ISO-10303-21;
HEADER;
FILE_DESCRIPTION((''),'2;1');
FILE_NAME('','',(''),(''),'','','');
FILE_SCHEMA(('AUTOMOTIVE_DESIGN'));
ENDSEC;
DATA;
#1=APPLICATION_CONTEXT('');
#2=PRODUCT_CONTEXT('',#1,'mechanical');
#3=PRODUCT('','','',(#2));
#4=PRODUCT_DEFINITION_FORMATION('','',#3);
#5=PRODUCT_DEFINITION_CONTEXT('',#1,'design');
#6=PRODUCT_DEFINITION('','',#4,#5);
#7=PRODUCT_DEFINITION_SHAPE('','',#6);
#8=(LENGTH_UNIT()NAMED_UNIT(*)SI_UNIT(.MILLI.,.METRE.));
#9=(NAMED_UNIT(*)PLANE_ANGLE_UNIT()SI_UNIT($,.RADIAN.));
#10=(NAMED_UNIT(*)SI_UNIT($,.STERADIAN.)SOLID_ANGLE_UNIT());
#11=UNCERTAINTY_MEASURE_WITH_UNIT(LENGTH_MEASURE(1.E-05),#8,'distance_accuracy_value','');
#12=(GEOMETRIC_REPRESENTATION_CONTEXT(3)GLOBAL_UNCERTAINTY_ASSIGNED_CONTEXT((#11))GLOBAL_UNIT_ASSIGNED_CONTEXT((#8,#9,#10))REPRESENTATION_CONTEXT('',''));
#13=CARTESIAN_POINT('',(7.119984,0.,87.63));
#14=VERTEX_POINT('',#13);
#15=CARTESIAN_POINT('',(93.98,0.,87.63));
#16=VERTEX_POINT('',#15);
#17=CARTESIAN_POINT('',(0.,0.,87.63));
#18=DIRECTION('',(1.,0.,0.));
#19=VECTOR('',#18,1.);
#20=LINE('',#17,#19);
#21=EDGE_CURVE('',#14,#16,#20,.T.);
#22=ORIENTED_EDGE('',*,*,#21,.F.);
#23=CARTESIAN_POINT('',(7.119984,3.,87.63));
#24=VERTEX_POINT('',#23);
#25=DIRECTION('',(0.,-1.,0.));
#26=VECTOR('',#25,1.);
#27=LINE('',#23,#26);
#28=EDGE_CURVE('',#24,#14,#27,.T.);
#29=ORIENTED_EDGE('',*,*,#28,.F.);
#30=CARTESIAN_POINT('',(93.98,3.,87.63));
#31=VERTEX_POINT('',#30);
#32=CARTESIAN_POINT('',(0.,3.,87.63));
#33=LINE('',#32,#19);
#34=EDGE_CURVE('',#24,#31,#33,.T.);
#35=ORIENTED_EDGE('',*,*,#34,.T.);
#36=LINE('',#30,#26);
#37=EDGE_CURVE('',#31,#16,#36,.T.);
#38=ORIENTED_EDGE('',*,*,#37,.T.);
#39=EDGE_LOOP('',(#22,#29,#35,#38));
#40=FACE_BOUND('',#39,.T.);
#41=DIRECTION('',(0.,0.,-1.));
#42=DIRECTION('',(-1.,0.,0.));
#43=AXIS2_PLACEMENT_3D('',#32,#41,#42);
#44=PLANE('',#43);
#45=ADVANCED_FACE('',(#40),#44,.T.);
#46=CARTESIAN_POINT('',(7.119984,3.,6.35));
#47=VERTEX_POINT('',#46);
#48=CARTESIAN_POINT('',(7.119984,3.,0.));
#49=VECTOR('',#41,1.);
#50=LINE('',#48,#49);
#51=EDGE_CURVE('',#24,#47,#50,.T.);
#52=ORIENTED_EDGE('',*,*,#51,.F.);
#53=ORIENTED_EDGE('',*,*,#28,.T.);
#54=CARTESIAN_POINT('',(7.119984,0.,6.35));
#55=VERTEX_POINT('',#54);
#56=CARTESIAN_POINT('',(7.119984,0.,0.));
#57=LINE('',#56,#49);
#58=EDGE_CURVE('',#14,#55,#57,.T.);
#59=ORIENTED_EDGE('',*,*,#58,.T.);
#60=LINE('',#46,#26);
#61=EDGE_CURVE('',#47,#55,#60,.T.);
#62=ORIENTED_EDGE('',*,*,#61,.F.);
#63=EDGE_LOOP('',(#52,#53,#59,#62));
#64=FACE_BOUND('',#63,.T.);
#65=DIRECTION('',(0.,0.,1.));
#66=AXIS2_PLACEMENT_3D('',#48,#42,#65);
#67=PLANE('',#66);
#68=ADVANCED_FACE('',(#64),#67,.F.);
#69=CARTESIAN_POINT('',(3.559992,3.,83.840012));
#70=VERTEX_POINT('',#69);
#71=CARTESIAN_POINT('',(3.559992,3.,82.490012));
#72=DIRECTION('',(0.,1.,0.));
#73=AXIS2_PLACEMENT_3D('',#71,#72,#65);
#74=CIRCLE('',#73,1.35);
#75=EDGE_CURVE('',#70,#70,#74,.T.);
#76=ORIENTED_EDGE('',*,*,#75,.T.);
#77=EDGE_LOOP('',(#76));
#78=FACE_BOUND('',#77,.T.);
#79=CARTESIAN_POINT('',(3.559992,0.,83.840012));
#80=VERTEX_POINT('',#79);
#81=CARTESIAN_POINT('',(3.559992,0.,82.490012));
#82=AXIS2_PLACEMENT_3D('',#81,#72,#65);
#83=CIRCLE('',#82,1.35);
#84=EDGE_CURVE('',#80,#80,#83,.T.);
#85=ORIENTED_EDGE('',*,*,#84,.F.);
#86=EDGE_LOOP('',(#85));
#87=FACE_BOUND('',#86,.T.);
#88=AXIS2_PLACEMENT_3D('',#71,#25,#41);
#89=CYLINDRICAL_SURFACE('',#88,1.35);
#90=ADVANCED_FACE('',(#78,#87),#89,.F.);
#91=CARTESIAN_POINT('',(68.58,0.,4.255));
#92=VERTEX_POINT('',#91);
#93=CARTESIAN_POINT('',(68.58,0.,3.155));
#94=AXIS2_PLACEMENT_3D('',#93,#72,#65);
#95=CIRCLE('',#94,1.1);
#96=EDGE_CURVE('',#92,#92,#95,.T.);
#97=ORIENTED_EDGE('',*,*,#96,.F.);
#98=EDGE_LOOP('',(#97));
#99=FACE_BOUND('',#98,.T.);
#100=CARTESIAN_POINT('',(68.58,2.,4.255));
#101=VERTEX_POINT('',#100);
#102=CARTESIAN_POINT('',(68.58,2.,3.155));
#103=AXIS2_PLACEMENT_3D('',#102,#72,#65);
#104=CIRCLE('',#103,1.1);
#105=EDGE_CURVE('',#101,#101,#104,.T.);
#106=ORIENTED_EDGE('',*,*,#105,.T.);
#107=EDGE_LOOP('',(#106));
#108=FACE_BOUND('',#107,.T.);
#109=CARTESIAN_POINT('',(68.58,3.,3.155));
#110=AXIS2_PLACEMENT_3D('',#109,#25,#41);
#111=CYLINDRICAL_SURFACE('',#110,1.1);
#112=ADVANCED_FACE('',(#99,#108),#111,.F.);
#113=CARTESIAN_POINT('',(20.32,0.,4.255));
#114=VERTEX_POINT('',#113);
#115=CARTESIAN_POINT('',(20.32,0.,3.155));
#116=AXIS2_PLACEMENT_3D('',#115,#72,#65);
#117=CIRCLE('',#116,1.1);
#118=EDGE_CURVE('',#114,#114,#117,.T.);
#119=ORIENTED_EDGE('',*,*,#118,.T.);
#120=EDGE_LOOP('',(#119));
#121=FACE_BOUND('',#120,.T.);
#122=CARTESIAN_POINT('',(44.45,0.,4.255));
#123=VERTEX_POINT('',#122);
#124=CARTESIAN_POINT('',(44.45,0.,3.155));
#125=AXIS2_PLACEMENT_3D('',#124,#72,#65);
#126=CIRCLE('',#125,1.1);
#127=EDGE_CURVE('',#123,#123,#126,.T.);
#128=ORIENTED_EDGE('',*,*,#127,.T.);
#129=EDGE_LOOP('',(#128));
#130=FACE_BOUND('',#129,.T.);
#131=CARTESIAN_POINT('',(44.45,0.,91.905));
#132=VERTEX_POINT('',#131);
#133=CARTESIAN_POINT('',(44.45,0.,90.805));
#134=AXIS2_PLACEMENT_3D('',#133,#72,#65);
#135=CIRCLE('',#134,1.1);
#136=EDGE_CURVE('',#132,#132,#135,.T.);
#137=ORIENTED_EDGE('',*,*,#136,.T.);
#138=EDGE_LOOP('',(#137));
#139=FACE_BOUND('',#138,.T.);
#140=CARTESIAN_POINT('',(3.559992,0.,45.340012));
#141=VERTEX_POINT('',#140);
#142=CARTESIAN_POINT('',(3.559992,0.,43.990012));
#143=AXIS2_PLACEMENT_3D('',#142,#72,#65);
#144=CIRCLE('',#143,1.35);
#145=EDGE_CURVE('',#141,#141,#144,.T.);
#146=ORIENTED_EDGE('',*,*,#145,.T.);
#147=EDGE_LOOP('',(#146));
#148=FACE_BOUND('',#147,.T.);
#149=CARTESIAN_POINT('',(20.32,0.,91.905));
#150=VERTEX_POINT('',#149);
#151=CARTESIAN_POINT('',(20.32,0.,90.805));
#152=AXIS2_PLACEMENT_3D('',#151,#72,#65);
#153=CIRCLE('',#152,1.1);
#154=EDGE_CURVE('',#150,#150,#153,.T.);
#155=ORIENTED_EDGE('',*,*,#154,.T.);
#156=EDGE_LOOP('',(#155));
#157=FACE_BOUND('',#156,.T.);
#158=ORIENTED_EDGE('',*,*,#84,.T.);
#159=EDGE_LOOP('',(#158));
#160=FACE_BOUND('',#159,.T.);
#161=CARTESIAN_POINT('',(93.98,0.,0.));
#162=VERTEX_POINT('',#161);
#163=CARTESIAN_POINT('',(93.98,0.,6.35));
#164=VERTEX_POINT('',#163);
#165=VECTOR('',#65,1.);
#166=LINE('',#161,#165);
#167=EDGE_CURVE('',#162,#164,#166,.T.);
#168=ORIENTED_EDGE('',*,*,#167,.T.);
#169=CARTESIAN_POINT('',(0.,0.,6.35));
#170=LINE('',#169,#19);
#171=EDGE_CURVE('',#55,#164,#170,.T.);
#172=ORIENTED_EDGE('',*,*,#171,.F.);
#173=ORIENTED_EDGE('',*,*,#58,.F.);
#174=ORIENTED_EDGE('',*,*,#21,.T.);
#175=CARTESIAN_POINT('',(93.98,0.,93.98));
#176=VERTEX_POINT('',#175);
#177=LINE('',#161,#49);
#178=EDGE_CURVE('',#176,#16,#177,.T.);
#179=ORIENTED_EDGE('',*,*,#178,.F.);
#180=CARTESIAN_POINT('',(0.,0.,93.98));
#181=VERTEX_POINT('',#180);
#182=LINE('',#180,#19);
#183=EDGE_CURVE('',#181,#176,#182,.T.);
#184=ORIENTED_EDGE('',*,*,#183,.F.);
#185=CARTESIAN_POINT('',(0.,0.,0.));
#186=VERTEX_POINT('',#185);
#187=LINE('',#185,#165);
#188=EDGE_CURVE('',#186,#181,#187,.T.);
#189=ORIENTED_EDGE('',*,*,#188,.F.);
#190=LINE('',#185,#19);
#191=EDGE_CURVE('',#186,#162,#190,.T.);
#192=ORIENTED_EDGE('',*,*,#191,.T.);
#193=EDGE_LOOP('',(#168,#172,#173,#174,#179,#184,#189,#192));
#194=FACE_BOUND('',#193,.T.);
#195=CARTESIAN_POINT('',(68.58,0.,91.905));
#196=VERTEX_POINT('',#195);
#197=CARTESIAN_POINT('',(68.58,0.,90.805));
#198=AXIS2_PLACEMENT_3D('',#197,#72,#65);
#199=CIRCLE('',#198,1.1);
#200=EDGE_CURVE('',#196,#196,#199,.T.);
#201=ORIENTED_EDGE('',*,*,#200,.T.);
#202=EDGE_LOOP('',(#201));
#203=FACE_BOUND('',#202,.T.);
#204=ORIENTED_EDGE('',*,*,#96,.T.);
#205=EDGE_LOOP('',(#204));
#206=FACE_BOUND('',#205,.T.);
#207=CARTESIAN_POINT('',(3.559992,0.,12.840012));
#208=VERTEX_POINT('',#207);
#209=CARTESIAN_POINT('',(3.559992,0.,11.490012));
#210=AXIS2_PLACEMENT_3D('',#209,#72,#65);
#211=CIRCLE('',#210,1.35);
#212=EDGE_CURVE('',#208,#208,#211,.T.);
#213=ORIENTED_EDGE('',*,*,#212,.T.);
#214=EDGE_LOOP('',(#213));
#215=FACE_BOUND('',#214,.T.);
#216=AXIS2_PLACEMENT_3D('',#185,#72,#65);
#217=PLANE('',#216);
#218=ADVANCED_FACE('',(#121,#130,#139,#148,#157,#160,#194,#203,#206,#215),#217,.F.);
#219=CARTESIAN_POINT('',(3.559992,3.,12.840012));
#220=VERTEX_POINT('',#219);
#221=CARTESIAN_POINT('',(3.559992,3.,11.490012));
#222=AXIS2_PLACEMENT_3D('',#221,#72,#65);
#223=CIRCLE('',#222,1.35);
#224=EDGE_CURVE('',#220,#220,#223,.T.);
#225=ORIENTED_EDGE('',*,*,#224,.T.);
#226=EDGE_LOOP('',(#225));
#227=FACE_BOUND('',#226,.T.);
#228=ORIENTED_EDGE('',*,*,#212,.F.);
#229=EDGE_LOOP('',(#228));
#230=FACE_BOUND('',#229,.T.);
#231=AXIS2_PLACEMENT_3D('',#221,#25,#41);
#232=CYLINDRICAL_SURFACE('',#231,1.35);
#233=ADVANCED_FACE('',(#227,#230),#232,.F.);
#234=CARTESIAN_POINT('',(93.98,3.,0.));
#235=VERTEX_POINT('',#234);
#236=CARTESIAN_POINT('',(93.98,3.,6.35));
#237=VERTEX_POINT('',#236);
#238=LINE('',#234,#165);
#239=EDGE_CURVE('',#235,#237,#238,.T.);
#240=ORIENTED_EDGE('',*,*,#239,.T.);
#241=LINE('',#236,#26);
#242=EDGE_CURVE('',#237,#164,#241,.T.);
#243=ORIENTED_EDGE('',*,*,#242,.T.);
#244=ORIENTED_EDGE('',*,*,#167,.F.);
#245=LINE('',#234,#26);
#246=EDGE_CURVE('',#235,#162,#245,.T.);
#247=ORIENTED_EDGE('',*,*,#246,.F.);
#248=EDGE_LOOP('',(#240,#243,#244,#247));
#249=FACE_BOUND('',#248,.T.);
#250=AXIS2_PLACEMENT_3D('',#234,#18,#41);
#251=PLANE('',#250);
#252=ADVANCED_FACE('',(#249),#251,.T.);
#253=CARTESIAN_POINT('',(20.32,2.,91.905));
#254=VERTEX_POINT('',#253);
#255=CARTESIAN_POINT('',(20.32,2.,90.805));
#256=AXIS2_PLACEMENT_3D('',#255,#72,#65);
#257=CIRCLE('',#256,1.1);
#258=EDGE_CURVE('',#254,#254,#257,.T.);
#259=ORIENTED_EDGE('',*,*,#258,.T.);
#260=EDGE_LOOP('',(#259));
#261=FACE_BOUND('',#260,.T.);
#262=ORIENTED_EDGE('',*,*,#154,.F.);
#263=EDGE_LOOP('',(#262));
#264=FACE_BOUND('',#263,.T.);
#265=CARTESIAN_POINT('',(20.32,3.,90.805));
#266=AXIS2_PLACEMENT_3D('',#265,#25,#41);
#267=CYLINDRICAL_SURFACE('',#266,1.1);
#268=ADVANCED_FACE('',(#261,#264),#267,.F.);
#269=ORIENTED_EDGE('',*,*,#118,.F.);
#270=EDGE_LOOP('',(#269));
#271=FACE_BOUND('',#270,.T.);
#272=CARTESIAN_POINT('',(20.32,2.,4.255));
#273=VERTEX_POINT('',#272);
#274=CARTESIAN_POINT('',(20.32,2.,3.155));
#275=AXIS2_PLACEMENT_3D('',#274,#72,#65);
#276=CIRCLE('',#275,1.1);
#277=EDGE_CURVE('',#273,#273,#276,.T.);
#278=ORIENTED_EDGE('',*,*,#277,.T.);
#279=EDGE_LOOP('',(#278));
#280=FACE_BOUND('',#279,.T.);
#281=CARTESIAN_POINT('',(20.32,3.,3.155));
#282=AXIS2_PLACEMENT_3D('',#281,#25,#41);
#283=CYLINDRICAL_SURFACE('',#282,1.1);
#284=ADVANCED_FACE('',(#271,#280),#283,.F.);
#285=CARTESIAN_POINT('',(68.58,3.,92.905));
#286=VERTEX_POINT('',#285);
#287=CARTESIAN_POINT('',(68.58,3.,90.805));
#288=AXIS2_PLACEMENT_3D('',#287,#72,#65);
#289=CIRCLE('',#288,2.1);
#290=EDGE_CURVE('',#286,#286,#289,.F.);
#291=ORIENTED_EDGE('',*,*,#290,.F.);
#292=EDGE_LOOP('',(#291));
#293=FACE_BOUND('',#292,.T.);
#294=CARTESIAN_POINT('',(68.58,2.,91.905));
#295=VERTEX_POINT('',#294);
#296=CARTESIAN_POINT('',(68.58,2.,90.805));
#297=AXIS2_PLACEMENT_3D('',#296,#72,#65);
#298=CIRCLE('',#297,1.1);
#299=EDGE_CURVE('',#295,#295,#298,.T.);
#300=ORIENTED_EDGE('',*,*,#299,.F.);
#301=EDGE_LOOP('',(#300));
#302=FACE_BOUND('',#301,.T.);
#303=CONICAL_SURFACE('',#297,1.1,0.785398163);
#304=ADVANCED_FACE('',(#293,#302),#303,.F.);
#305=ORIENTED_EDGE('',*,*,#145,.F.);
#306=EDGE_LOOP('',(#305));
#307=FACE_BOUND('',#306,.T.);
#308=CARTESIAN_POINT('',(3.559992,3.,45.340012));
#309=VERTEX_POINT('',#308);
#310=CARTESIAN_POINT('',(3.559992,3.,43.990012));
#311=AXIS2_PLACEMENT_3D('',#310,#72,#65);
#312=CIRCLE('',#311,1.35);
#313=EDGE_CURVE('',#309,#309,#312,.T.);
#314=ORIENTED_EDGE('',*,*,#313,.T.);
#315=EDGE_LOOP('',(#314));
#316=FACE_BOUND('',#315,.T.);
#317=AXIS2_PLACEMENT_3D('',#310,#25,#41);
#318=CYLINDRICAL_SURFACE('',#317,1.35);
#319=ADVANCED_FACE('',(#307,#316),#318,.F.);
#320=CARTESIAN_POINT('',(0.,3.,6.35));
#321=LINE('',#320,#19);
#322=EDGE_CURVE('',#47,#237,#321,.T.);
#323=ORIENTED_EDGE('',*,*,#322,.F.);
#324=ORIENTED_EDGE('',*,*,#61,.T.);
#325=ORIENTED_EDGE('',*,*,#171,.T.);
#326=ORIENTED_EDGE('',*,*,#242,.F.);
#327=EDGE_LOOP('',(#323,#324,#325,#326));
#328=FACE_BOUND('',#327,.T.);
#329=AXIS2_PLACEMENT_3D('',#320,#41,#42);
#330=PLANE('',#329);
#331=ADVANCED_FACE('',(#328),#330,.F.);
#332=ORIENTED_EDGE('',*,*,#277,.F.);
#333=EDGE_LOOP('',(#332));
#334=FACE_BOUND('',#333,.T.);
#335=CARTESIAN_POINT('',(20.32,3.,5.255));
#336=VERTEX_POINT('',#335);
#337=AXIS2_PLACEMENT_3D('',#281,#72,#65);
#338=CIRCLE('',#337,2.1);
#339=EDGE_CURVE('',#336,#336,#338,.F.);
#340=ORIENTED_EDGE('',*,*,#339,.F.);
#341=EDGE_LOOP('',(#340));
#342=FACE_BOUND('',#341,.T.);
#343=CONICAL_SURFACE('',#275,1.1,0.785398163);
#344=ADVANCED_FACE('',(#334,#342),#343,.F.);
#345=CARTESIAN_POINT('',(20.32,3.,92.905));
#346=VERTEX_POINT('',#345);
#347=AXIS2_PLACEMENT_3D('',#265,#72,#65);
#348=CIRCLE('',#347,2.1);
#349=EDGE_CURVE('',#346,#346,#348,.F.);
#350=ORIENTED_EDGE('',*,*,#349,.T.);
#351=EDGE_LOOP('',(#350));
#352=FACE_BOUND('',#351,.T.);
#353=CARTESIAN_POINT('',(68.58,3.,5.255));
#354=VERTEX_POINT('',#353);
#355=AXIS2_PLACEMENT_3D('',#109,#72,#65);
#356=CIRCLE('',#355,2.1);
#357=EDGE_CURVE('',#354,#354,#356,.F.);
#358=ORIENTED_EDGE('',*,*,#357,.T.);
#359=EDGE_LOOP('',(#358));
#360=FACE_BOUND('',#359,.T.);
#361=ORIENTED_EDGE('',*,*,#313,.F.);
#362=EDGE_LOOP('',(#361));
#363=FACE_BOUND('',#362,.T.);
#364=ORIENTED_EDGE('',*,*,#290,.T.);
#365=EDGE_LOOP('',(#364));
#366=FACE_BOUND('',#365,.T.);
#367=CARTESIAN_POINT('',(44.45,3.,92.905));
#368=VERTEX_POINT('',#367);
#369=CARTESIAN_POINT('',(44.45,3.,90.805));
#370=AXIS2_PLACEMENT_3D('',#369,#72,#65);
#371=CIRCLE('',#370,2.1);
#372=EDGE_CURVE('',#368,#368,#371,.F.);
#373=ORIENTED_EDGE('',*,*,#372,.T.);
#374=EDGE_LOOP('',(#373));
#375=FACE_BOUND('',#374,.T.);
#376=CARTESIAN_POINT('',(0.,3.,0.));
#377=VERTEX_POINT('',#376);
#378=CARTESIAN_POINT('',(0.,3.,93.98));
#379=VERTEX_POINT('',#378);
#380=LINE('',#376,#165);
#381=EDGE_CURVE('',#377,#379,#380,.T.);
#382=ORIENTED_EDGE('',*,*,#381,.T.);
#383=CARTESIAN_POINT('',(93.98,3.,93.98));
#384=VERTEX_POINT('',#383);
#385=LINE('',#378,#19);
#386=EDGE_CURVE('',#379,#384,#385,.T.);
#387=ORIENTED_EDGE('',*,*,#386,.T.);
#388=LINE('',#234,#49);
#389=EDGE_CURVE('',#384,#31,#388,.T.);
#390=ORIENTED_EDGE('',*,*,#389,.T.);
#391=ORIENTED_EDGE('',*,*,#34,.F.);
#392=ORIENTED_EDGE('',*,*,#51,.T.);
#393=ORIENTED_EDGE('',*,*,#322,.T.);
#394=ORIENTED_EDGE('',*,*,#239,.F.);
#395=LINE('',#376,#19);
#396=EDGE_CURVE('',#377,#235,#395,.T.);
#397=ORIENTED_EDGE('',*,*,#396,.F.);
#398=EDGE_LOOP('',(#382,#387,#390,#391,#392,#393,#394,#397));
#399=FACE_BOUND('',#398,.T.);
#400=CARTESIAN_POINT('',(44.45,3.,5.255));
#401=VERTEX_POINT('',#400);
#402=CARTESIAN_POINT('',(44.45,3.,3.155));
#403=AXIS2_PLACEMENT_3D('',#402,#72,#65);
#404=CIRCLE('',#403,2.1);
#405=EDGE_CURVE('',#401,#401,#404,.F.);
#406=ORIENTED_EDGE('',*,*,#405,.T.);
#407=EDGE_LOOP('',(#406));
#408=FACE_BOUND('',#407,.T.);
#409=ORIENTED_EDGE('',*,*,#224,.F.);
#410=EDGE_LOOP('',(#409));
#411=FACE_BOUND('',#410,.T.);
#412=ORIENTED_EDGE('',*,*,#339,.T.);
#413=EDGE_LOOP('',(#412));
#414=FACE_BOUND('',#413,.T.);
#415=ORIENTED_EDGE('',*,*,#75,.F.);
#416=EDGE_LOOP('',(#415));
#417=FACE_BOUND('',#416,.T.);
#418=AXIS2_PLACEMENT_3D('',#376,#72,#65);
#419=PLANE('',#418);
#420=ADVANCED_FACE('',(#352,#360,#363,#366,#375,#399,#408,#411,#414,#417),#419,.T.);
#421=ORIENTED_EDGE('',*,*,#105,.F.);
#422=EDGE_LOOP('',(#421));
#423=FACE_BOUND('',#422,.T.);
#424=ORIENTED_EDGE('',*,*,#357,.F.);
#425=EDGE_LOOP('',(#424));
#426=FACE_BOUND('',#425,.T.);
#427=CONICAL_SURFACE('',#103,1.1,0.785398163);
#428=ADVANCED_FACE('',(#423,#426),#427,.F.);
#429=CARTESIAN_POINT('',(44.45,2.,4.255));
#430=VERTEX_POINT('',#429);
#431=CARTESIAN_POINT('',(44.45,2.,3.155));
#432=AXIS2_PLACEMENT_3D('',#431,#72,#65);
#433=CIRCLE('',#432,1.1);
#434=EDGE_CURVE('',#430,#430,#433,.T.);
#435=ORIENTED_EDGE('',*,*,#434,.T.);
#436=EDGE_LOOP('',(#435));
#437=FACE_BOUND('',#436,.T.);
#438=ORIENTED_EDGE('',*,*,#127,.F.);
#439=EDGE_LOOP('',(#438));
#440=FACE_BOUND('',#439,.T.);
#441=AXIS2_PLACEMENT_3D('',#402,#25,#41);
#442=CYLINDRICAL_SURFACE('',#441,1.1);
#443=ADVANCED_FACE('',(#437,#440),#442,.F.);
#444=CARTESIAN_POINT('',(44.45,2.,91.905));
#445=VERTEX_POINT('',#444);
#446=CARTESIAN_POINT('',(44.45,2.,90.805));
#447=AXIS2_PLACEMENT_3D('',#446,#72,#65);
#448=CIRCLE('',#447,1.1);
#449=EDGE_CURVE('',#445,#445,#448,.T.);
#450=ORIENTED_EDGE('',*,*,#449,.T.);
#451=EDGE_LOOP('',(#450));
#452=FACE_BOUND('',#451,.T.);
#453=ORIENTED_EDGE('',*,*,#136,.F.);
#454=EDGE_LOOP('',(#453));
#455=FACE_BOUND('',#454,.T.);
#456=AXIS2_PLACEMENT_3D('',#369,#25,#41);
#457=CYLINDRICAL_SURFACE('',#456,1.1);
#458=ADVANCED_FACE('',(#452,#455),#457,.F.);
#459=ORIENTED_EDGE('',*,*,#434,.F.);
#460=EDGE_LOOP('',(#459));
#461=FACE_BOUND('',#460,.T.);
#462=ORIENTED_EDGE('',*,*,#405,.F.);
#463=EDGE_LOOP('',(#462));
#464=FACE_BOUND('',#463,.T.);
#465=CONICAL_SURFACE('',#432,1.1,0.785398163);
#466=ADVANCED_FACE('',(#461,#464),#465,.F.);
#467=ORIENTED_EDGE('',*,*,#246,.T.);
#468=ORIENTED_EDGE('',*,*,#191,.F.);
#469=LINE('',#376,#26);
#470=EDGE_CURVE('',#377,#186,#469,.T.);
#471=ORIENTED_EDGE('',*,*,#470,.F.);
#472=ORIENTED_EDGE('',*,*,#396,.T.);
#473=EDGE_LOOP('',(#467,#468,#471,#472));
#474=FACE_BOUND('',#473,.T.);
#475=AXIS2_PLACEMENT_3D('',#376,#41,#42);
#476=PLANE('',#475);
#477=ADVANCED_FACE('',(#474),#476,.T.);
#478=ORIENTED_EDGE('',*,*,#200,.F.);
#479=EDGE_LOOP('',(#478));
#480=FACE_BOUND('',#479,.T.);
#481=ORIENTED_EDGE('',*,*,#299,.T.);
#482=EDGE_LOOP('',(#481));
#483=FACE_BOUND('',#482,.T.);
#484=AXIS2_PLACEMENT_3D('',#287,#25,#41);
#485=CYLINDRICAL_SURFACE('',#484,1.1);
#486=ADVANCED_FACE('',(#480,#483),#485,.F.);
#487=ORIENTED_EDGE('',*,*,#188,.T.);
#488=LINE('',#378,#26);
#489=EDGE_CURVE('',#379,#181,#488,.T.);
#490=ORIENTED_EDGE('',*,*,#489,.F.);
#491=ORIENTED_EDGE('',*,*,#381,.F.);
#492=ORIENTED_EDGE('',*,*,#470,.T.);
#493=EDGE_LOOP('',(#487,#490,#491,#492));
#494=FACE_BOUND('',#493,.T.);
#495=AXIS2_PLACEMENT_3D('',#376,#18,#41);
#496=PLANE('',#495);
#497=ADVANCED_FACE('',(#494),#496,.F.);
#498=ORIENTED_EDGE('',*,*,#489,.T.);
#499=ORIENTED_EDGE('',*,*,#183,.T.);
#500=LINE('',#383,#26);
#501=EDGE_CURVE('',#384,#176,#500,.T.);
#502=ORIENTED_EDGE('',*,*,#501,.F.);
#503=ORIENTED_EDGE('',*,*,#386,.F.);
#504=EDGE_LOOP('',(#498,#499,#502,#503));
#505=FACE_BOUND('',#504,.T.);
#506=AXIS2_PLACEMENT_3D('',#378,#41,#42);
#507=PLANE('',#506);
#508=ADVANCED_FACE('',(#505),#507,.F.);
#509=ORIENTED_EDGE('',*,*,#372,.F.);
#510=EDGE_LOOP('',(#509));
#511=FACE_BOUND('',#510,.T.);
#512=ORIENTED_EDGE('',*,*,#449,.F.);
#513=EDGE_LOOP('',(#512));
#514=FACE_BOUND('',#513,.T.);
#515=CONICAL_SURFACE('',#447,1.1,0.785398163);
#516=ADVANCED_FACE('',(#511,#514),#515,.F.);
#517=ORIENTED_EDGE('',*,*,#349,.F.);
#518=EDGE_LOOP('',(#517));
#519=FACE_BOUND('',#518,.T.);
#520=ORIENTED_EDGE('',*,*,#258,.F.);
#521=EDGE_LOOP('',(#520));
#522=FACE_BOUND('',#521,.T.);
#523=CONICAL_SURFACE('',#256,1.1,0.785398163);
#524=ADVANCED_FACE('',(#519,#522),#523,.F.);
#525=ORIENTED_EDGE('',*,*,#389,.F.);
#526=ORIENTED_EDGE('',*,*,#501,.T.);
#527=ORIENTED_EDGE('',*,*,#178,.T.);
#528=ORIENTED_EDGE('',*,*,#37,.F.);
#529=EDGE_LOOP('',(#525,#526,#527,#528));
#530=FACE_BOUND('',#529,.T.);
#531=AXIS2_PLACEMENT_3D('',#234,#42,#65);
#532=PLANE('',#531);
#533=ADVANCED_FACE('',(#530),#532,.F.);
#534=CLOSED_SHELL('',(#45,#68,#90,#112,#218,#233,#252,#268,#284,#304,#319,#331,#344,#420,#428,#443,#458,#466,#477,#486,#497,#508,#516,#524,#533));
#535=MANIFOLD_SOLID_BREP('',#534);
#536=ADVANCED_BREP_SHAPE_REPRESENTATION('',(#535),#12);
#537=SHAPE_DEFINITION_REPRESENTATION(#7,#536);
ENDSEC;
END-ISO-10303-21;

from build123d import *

# Parameters (mm, degrees)
SKETCH2_W           = 7.119984
SKETCH2_H           = 81.28
SKETCH2_R           = 1.35
SKETCH2_W_2         = 93.98
SKETCH2_H_2         = 6.35
SKETCH2_R_2         = 1.1
BOSS_EXTRUDE1_DEPTH = 3
CHAMFER1_SIZE       = 1


with BuildPart() as part:
    # Sketch2 → Boss-Extrude1 (new body)
    # profile 1 of 3: a face of its own
    with BuildSketch(Plane(origin=(0, 0, 0), x_dir=(1, 0, 0), z_dir=(0, 1, 0))):
        with Locations((3.559992, -46.99)):
            Rectangle(SKETCH2_W, SKETCH2_H)
        with Locations(Location((3.559992, -82.490012, 0), (0, 0, 270))):
            Circle(SKETCH2_R, mode=Mode.SUBTRACT)
        with Locations(Location((3.559992, -43.990012, 0), (0, 0, 270))):
            Circle(SKETCH2_R, mode=Mode.SUBTRACT)
        with Locations(Location((3.559992, -11.490012, 0), (0, 0, 270))):
            Circle(SKETCH2_R, mode=Mode.SUBTRACT)
    # profile 2 of 3: a face of its own
    with BuildSketch(Plane(origin=(0, 0, 0), x_dir=(1, 0, 0), z_dir=(0, 1, 0))):
        with Locations((46.99, -3.175)):
            Rectangle(SKETCH2_W_2, SKETCH2_H_2)
        with Locations(Location((68.58, -3.155, 0), (0, 0, 270))):
            Circle(SKETCH2_R_2, mode=Mode.SUBTRACT)
        with Locations(Location((44.45, -3.155, 0), (0, 0, 270))):
            Circle(SKETCH2_R_2, mode=Mode.SUBTRACT)
        with Locations(Location((20.32, -3.155, 0), (0, 0, 270))):
            Circle(SKETCH2_R_2, mode=Mode.SUBTRACT)
    # profile 3 of 3: a face of its own
    with BuildSketch(Plane(origin=(0, 0, 0), x_dir=(1, 0, 0), z_dir=(0, 1, 0))):
        with Locations((46.99, -90.805)):
            Rectangle(SKETCH2_W_2, SKETCH2_H_2)
        with Locations(Location((68.58, -90.805, 0), (0, 0, 270))):
            Circle(SKETCH2_R_2, mode=Mode.SUBTRACT)
        with Locations(Location((44.45, -90.805, 0), (0, 0, 270))):
            Circle(SKETCH2_R_2, mode=Mode.SUBTRACT)
        with Locations(Location((20.32, -90.805, 0), (0, 0, 270))):
            Circle(SKETCH2_R_2, mode=Mode.SUBTRACT)
    extrude(amount=BOSS_EXTRUDE1_DEPTH)

    # Chamfer1
    chamfer1_edges = [part.edges().sort_by_distance(p)[0] for p in [
        (20.32, 3, 89.705),
        (68.58, 3, 2.055),
        (44.45, 3, 2.055),
        (20.32, 3, 2.055),
        (68.58, 3, 89.705),
        (44.45, 3, 89.705),
    ]]
    chamfer(chamfer1_edges, length=CHAMFER1_SIZE)


solid = part.part
